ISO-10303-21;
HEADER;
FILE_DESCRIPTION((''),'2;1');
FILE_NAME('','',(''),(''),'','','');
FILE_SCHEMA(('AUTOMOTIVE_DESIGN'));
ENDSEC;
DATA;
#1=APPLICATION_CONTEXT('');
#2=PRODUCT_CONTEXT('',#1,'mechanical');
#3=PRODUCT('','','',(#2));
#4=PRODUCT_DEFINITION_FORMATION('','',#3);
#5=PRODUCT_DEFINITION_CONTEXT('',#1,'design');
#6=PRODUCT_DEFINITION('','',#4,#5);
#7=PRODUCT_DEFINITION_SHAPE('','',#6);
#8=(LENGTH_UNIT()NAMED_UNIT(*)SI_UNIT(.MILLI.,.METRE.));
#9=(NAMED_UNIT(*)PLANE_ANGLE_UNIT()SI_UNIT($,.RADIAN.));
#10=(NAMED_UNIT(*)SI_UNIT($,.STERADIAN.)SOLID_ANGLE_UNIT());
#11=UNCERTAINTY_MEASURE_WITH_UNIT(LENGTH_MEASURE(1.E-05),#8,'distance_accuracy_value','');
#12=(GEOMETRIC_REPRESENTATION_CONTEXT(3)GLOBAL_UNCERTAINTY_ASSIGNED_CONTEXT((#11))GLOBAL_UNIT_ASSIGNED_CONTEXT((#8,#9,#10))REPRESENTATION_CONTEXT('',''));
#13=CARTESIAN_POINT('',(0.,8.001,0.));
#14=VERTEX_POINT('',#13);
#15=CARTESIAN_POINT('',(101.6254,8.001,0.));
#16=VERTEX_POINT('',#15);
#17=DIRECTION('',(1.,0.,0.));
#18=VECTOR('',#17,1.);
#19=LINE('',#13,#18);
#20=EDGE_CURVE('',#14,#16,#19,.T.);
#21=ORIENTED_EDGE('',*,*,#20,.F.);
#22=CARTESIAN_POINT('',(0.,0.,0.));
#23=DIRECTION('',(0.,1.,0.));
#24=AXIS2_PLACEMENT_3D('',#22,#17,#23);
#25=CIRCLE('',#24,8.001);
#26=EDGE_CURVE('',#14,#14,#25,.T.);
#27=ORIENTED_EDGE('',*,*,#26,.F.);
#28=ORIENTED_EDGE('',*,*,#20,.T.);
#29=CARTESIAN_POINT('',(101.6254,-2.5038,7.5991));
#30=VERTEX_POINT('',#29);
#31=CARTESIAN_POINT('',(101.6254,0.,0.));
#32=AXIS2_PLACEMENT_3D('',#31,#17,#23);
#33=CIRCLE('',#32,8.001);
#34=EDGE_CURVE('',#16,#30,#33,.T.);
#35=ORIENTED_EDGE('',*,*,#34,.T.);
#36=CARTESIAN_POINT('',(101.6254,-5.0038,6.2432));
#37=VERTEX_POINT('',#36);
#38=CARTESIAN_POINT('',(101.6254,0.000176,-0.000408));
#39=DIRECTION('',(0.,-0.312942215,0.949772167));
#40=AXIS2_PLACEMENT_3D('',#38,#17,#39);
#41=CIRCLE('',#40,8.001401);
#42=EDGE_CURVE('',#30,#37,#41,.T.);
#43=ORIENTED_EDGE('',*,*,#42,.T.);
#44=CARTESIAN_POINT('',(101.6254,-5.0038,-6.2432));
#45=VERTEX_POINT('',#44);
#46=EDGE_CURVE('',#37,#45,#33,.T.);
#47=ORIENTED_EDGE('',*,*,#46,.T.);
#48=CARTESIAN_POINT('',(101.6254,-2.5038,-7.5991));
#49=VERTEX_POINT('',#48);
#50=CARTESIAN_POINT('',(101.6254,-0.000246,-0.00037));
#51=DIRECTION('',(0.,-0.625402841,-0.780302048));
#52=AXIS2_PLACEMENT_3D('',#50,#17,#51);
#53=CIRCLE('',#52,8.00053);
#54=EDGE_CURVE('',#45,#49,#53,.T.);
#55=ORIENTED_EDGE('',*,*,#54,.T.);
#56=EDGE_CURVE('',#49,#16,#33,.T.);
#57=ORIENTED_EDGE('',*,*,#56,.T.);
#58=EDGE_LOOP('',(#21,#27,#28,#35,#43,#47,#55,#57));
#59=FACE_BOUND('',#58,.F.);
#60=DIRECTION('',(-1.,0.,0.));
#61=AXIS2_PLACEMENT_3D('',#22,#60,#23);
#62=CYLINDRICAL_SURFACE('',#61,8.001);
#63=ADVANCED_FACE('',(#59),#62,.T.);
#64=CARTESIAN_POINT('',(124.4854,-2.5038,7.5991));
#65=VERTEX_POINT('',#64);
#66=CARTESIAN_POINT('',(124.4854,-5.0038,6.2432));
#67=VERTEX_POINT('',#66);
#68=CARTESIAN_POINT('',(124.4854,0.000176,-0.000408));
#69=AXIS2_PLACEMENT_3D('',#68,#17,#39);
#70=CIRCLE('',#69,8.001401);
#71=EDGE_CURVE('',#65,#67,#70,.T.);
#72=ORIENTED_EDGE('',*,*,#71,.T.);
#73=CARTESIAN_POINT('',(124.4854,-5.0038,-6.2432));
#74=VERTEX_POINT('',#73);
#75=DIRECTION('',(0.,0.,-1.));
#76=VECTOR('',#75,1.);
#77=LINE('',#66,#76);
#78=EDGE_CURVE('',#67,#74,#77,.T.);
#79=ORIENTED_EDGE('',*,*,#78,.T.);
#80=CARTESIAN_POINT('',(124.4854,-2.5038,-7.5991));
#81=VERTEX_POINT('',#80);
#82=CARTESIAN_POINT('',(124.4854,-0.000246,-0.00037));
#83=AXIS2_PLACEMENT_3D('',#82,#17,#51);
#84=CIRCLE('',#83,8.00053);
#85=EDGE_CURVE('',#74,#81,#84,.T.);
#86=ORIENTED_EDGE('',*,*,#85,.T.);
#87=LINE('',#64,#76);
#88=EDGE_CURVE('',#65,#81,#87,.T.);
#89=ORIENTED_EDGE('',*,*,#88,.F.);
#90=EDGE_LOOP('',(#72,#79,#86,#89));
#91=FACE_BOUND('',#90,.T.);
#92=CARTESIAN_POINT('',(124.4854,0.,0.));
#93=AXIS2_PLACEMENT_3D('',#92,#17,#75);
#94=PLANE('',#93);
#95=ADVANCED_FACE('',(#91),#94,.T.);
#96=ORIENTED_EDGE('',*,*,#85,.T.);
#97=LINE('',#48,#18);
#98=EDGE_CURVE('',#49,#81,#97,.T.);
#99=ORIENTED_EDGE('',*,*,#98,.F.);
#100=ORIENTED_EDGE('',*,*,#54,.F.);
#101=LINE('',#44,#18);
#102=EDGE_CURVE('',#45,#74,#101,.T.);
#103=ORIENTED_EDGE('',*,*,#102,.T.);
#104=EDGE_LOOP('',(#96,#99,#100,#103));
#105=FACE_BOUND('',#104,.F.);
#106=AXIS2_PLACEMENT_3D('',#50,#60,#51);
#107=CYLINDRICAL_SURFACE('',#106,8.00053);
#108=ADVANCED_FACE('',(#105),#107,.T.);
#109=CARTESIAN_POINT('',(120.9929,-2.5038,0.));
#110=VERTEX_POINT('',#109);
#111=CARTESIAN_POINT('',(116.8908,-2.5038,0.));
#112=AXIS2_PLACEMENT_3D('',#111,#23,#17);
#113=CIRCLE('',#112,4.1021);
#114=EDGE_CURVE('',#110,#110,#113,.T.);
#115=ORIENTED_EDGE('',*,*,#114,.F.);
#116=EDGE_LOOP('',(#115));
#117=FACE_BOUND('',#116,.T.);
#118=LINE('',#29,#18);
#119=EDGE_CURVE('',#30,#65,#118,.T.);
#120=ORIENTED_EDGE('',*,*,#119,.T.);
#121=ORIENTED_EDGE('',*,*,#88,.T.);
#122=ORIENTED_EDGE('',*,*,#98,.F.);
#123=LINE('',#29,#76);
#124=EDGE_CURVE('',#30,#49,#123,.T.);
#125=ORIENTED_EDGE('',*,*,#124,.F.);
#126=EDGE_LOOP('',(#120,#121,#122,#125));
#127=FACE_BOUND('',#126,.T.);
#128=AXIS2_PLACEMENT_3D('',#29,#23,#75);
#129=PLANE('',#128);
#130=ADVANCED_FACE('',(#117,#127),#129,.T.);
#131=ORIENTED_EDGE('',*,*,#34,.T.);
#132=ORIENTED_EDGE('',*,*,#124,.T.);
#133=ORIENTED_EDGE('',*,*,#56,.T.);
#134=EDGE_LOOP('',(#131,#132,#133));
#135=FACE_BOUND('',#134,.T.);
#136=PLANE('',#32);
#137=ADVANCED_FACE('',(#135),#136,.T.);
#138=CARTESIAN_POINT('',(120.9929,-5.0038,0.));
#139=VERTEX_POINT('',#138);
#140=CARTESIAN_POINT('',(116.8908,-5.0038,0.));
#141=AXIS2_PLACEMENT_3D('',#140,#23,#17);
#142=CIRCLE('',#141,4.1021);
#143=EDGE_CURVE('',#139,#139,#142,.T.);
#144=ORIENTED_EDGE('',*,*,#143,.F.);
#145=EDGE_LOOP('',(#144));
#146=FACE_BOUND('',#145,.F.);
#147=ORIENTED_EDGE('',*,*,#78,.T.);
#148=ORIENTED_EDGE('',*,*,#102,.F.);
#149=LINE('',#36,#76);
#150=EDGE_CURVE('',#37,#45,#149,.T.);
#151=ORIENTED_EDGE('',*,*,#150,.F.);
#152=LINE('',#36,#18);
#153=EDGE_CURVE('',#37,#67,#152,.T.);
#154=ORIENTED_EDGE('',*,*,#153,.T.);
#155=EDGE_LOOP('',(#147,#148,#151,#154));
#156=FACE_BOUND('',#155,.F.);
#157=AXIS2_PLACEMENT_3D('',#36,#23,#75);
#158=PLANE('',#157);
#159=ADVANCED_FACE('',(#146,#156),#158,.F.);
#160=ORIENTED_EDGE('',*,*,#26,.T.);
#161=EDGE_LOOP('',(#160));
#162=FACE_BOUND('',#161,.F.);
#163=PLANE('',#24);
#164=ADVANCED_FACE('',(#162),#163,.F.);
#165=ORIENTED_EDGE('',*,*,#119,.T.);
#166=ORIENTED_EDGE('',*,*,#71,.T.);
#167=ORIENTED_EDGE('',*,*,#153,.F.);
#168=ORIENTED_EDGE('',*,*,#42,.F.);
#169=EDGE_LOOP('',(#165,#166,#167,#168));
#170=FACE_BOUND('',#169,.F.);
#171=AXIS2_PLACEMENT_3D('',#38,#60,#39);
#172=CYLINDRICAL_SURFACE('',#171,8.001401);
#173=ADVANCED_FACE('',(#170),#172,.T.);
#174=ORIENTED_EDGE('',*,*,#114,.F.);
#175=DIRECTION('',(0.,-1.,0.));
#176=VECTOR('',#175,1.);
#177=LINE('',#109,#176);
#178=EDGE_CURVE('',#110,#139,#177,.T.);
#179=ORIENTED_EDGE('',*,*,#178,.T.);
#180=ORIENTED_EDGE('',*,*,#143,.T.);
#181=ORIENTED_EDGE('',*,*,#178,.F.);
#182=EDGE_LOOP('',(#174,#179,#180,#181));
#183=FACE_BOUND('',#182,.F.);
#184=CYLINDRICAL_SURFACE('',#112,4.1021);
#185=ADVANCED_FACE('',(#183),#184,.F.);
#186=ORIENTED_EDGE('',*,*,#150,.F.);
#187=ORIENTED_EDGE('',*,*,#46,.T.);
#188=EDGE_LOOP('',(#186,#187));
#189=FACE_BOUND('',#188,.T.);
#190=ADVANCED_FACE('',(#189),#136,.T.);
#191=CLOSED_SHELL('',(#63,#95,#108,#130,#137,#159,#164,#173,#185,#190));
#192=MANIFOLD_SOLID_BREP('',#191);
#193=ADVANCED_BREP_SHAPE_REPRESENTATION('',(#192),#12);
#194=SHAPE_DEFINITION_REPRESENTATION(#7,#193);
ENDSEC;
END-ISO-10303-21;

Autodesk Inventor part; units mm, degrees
ref_plane "YZ Plane" through (0, 0, 0) normal (1, 0, 0) x (0, 1, 0)
ref_plane "XZ Plane" through (0, 0, 0) normal (0, 1, 0) x (-1, 0, 0)
ref_plane "XY Plane" through (0, 0, 0) normal (0, 0, 1) x (1, 0, 0)
sketch "Sketch1" plane through (0, 0, 0) normal (1, 0, 0) x (0, 1, 0)
  circle A0 centre (0, 0) radius 8.001
  dimension "d0" = 16.002
extrude "Extrusion1" add sketch "Sketch1" along normal blind 101.6254
sketch "Sketch2" plane through (101.6254, 0, 0) normal (1, 0, 0) x (0, 0, -1)
  line L0 (-6.2432, -5.0038) -> (6.2432, -5.0038)
  line L1 (-7.5991, -2.5038) -> (7.5991, -2.5038)
  arc A0 (6.2432, -5.0038) -> (7.5991, -2.5038) centre (0, 0) ccw
  arc A1 (-7.5991, -2.5038) -> (-6.2432, -5.0038) centre (0, 0) ccw
  circle A2 centre (0, 0) radius 8.001 projected
  point P0 (7.0332, -3.8145)
  point P1 (-7.0332, -3.8145)
  dimension "d3" = 5.0038
  dimension "d4" = 2.5
extrude "Extrusion2" add sketch "Sketch2" along normal blind 22.86 contours A1 L1 A0 L0
sketch "Sketch3" plane through (101.6254, -2.5038, 7.5991) normal (0, 1, 0) x (1, 0, 0)
  circle A0 centre (15.2654, 7.5991) radius 4.1021
  line L0 (0, 15.1983) -> (22.86, 15.1983) projected
  line L1 (0, 0) -> (22.86, 0) projected
  line L2 (0, 0) -> (0, 15.1983) projected
  point P0 (-101.6254, 7.5991)
  dimension "d8" = 8.2042
  dimension "d9" = 7.5991
  dimension "d10" = 15.1983
  dimension "d13" = 15.2654
extrude "Extrusion3" cut sketch "Sketch3" against normal blind 15.0114
equation "\"d9\" = 0.5 * d10"
properties part number "Ring Connector model 5"
